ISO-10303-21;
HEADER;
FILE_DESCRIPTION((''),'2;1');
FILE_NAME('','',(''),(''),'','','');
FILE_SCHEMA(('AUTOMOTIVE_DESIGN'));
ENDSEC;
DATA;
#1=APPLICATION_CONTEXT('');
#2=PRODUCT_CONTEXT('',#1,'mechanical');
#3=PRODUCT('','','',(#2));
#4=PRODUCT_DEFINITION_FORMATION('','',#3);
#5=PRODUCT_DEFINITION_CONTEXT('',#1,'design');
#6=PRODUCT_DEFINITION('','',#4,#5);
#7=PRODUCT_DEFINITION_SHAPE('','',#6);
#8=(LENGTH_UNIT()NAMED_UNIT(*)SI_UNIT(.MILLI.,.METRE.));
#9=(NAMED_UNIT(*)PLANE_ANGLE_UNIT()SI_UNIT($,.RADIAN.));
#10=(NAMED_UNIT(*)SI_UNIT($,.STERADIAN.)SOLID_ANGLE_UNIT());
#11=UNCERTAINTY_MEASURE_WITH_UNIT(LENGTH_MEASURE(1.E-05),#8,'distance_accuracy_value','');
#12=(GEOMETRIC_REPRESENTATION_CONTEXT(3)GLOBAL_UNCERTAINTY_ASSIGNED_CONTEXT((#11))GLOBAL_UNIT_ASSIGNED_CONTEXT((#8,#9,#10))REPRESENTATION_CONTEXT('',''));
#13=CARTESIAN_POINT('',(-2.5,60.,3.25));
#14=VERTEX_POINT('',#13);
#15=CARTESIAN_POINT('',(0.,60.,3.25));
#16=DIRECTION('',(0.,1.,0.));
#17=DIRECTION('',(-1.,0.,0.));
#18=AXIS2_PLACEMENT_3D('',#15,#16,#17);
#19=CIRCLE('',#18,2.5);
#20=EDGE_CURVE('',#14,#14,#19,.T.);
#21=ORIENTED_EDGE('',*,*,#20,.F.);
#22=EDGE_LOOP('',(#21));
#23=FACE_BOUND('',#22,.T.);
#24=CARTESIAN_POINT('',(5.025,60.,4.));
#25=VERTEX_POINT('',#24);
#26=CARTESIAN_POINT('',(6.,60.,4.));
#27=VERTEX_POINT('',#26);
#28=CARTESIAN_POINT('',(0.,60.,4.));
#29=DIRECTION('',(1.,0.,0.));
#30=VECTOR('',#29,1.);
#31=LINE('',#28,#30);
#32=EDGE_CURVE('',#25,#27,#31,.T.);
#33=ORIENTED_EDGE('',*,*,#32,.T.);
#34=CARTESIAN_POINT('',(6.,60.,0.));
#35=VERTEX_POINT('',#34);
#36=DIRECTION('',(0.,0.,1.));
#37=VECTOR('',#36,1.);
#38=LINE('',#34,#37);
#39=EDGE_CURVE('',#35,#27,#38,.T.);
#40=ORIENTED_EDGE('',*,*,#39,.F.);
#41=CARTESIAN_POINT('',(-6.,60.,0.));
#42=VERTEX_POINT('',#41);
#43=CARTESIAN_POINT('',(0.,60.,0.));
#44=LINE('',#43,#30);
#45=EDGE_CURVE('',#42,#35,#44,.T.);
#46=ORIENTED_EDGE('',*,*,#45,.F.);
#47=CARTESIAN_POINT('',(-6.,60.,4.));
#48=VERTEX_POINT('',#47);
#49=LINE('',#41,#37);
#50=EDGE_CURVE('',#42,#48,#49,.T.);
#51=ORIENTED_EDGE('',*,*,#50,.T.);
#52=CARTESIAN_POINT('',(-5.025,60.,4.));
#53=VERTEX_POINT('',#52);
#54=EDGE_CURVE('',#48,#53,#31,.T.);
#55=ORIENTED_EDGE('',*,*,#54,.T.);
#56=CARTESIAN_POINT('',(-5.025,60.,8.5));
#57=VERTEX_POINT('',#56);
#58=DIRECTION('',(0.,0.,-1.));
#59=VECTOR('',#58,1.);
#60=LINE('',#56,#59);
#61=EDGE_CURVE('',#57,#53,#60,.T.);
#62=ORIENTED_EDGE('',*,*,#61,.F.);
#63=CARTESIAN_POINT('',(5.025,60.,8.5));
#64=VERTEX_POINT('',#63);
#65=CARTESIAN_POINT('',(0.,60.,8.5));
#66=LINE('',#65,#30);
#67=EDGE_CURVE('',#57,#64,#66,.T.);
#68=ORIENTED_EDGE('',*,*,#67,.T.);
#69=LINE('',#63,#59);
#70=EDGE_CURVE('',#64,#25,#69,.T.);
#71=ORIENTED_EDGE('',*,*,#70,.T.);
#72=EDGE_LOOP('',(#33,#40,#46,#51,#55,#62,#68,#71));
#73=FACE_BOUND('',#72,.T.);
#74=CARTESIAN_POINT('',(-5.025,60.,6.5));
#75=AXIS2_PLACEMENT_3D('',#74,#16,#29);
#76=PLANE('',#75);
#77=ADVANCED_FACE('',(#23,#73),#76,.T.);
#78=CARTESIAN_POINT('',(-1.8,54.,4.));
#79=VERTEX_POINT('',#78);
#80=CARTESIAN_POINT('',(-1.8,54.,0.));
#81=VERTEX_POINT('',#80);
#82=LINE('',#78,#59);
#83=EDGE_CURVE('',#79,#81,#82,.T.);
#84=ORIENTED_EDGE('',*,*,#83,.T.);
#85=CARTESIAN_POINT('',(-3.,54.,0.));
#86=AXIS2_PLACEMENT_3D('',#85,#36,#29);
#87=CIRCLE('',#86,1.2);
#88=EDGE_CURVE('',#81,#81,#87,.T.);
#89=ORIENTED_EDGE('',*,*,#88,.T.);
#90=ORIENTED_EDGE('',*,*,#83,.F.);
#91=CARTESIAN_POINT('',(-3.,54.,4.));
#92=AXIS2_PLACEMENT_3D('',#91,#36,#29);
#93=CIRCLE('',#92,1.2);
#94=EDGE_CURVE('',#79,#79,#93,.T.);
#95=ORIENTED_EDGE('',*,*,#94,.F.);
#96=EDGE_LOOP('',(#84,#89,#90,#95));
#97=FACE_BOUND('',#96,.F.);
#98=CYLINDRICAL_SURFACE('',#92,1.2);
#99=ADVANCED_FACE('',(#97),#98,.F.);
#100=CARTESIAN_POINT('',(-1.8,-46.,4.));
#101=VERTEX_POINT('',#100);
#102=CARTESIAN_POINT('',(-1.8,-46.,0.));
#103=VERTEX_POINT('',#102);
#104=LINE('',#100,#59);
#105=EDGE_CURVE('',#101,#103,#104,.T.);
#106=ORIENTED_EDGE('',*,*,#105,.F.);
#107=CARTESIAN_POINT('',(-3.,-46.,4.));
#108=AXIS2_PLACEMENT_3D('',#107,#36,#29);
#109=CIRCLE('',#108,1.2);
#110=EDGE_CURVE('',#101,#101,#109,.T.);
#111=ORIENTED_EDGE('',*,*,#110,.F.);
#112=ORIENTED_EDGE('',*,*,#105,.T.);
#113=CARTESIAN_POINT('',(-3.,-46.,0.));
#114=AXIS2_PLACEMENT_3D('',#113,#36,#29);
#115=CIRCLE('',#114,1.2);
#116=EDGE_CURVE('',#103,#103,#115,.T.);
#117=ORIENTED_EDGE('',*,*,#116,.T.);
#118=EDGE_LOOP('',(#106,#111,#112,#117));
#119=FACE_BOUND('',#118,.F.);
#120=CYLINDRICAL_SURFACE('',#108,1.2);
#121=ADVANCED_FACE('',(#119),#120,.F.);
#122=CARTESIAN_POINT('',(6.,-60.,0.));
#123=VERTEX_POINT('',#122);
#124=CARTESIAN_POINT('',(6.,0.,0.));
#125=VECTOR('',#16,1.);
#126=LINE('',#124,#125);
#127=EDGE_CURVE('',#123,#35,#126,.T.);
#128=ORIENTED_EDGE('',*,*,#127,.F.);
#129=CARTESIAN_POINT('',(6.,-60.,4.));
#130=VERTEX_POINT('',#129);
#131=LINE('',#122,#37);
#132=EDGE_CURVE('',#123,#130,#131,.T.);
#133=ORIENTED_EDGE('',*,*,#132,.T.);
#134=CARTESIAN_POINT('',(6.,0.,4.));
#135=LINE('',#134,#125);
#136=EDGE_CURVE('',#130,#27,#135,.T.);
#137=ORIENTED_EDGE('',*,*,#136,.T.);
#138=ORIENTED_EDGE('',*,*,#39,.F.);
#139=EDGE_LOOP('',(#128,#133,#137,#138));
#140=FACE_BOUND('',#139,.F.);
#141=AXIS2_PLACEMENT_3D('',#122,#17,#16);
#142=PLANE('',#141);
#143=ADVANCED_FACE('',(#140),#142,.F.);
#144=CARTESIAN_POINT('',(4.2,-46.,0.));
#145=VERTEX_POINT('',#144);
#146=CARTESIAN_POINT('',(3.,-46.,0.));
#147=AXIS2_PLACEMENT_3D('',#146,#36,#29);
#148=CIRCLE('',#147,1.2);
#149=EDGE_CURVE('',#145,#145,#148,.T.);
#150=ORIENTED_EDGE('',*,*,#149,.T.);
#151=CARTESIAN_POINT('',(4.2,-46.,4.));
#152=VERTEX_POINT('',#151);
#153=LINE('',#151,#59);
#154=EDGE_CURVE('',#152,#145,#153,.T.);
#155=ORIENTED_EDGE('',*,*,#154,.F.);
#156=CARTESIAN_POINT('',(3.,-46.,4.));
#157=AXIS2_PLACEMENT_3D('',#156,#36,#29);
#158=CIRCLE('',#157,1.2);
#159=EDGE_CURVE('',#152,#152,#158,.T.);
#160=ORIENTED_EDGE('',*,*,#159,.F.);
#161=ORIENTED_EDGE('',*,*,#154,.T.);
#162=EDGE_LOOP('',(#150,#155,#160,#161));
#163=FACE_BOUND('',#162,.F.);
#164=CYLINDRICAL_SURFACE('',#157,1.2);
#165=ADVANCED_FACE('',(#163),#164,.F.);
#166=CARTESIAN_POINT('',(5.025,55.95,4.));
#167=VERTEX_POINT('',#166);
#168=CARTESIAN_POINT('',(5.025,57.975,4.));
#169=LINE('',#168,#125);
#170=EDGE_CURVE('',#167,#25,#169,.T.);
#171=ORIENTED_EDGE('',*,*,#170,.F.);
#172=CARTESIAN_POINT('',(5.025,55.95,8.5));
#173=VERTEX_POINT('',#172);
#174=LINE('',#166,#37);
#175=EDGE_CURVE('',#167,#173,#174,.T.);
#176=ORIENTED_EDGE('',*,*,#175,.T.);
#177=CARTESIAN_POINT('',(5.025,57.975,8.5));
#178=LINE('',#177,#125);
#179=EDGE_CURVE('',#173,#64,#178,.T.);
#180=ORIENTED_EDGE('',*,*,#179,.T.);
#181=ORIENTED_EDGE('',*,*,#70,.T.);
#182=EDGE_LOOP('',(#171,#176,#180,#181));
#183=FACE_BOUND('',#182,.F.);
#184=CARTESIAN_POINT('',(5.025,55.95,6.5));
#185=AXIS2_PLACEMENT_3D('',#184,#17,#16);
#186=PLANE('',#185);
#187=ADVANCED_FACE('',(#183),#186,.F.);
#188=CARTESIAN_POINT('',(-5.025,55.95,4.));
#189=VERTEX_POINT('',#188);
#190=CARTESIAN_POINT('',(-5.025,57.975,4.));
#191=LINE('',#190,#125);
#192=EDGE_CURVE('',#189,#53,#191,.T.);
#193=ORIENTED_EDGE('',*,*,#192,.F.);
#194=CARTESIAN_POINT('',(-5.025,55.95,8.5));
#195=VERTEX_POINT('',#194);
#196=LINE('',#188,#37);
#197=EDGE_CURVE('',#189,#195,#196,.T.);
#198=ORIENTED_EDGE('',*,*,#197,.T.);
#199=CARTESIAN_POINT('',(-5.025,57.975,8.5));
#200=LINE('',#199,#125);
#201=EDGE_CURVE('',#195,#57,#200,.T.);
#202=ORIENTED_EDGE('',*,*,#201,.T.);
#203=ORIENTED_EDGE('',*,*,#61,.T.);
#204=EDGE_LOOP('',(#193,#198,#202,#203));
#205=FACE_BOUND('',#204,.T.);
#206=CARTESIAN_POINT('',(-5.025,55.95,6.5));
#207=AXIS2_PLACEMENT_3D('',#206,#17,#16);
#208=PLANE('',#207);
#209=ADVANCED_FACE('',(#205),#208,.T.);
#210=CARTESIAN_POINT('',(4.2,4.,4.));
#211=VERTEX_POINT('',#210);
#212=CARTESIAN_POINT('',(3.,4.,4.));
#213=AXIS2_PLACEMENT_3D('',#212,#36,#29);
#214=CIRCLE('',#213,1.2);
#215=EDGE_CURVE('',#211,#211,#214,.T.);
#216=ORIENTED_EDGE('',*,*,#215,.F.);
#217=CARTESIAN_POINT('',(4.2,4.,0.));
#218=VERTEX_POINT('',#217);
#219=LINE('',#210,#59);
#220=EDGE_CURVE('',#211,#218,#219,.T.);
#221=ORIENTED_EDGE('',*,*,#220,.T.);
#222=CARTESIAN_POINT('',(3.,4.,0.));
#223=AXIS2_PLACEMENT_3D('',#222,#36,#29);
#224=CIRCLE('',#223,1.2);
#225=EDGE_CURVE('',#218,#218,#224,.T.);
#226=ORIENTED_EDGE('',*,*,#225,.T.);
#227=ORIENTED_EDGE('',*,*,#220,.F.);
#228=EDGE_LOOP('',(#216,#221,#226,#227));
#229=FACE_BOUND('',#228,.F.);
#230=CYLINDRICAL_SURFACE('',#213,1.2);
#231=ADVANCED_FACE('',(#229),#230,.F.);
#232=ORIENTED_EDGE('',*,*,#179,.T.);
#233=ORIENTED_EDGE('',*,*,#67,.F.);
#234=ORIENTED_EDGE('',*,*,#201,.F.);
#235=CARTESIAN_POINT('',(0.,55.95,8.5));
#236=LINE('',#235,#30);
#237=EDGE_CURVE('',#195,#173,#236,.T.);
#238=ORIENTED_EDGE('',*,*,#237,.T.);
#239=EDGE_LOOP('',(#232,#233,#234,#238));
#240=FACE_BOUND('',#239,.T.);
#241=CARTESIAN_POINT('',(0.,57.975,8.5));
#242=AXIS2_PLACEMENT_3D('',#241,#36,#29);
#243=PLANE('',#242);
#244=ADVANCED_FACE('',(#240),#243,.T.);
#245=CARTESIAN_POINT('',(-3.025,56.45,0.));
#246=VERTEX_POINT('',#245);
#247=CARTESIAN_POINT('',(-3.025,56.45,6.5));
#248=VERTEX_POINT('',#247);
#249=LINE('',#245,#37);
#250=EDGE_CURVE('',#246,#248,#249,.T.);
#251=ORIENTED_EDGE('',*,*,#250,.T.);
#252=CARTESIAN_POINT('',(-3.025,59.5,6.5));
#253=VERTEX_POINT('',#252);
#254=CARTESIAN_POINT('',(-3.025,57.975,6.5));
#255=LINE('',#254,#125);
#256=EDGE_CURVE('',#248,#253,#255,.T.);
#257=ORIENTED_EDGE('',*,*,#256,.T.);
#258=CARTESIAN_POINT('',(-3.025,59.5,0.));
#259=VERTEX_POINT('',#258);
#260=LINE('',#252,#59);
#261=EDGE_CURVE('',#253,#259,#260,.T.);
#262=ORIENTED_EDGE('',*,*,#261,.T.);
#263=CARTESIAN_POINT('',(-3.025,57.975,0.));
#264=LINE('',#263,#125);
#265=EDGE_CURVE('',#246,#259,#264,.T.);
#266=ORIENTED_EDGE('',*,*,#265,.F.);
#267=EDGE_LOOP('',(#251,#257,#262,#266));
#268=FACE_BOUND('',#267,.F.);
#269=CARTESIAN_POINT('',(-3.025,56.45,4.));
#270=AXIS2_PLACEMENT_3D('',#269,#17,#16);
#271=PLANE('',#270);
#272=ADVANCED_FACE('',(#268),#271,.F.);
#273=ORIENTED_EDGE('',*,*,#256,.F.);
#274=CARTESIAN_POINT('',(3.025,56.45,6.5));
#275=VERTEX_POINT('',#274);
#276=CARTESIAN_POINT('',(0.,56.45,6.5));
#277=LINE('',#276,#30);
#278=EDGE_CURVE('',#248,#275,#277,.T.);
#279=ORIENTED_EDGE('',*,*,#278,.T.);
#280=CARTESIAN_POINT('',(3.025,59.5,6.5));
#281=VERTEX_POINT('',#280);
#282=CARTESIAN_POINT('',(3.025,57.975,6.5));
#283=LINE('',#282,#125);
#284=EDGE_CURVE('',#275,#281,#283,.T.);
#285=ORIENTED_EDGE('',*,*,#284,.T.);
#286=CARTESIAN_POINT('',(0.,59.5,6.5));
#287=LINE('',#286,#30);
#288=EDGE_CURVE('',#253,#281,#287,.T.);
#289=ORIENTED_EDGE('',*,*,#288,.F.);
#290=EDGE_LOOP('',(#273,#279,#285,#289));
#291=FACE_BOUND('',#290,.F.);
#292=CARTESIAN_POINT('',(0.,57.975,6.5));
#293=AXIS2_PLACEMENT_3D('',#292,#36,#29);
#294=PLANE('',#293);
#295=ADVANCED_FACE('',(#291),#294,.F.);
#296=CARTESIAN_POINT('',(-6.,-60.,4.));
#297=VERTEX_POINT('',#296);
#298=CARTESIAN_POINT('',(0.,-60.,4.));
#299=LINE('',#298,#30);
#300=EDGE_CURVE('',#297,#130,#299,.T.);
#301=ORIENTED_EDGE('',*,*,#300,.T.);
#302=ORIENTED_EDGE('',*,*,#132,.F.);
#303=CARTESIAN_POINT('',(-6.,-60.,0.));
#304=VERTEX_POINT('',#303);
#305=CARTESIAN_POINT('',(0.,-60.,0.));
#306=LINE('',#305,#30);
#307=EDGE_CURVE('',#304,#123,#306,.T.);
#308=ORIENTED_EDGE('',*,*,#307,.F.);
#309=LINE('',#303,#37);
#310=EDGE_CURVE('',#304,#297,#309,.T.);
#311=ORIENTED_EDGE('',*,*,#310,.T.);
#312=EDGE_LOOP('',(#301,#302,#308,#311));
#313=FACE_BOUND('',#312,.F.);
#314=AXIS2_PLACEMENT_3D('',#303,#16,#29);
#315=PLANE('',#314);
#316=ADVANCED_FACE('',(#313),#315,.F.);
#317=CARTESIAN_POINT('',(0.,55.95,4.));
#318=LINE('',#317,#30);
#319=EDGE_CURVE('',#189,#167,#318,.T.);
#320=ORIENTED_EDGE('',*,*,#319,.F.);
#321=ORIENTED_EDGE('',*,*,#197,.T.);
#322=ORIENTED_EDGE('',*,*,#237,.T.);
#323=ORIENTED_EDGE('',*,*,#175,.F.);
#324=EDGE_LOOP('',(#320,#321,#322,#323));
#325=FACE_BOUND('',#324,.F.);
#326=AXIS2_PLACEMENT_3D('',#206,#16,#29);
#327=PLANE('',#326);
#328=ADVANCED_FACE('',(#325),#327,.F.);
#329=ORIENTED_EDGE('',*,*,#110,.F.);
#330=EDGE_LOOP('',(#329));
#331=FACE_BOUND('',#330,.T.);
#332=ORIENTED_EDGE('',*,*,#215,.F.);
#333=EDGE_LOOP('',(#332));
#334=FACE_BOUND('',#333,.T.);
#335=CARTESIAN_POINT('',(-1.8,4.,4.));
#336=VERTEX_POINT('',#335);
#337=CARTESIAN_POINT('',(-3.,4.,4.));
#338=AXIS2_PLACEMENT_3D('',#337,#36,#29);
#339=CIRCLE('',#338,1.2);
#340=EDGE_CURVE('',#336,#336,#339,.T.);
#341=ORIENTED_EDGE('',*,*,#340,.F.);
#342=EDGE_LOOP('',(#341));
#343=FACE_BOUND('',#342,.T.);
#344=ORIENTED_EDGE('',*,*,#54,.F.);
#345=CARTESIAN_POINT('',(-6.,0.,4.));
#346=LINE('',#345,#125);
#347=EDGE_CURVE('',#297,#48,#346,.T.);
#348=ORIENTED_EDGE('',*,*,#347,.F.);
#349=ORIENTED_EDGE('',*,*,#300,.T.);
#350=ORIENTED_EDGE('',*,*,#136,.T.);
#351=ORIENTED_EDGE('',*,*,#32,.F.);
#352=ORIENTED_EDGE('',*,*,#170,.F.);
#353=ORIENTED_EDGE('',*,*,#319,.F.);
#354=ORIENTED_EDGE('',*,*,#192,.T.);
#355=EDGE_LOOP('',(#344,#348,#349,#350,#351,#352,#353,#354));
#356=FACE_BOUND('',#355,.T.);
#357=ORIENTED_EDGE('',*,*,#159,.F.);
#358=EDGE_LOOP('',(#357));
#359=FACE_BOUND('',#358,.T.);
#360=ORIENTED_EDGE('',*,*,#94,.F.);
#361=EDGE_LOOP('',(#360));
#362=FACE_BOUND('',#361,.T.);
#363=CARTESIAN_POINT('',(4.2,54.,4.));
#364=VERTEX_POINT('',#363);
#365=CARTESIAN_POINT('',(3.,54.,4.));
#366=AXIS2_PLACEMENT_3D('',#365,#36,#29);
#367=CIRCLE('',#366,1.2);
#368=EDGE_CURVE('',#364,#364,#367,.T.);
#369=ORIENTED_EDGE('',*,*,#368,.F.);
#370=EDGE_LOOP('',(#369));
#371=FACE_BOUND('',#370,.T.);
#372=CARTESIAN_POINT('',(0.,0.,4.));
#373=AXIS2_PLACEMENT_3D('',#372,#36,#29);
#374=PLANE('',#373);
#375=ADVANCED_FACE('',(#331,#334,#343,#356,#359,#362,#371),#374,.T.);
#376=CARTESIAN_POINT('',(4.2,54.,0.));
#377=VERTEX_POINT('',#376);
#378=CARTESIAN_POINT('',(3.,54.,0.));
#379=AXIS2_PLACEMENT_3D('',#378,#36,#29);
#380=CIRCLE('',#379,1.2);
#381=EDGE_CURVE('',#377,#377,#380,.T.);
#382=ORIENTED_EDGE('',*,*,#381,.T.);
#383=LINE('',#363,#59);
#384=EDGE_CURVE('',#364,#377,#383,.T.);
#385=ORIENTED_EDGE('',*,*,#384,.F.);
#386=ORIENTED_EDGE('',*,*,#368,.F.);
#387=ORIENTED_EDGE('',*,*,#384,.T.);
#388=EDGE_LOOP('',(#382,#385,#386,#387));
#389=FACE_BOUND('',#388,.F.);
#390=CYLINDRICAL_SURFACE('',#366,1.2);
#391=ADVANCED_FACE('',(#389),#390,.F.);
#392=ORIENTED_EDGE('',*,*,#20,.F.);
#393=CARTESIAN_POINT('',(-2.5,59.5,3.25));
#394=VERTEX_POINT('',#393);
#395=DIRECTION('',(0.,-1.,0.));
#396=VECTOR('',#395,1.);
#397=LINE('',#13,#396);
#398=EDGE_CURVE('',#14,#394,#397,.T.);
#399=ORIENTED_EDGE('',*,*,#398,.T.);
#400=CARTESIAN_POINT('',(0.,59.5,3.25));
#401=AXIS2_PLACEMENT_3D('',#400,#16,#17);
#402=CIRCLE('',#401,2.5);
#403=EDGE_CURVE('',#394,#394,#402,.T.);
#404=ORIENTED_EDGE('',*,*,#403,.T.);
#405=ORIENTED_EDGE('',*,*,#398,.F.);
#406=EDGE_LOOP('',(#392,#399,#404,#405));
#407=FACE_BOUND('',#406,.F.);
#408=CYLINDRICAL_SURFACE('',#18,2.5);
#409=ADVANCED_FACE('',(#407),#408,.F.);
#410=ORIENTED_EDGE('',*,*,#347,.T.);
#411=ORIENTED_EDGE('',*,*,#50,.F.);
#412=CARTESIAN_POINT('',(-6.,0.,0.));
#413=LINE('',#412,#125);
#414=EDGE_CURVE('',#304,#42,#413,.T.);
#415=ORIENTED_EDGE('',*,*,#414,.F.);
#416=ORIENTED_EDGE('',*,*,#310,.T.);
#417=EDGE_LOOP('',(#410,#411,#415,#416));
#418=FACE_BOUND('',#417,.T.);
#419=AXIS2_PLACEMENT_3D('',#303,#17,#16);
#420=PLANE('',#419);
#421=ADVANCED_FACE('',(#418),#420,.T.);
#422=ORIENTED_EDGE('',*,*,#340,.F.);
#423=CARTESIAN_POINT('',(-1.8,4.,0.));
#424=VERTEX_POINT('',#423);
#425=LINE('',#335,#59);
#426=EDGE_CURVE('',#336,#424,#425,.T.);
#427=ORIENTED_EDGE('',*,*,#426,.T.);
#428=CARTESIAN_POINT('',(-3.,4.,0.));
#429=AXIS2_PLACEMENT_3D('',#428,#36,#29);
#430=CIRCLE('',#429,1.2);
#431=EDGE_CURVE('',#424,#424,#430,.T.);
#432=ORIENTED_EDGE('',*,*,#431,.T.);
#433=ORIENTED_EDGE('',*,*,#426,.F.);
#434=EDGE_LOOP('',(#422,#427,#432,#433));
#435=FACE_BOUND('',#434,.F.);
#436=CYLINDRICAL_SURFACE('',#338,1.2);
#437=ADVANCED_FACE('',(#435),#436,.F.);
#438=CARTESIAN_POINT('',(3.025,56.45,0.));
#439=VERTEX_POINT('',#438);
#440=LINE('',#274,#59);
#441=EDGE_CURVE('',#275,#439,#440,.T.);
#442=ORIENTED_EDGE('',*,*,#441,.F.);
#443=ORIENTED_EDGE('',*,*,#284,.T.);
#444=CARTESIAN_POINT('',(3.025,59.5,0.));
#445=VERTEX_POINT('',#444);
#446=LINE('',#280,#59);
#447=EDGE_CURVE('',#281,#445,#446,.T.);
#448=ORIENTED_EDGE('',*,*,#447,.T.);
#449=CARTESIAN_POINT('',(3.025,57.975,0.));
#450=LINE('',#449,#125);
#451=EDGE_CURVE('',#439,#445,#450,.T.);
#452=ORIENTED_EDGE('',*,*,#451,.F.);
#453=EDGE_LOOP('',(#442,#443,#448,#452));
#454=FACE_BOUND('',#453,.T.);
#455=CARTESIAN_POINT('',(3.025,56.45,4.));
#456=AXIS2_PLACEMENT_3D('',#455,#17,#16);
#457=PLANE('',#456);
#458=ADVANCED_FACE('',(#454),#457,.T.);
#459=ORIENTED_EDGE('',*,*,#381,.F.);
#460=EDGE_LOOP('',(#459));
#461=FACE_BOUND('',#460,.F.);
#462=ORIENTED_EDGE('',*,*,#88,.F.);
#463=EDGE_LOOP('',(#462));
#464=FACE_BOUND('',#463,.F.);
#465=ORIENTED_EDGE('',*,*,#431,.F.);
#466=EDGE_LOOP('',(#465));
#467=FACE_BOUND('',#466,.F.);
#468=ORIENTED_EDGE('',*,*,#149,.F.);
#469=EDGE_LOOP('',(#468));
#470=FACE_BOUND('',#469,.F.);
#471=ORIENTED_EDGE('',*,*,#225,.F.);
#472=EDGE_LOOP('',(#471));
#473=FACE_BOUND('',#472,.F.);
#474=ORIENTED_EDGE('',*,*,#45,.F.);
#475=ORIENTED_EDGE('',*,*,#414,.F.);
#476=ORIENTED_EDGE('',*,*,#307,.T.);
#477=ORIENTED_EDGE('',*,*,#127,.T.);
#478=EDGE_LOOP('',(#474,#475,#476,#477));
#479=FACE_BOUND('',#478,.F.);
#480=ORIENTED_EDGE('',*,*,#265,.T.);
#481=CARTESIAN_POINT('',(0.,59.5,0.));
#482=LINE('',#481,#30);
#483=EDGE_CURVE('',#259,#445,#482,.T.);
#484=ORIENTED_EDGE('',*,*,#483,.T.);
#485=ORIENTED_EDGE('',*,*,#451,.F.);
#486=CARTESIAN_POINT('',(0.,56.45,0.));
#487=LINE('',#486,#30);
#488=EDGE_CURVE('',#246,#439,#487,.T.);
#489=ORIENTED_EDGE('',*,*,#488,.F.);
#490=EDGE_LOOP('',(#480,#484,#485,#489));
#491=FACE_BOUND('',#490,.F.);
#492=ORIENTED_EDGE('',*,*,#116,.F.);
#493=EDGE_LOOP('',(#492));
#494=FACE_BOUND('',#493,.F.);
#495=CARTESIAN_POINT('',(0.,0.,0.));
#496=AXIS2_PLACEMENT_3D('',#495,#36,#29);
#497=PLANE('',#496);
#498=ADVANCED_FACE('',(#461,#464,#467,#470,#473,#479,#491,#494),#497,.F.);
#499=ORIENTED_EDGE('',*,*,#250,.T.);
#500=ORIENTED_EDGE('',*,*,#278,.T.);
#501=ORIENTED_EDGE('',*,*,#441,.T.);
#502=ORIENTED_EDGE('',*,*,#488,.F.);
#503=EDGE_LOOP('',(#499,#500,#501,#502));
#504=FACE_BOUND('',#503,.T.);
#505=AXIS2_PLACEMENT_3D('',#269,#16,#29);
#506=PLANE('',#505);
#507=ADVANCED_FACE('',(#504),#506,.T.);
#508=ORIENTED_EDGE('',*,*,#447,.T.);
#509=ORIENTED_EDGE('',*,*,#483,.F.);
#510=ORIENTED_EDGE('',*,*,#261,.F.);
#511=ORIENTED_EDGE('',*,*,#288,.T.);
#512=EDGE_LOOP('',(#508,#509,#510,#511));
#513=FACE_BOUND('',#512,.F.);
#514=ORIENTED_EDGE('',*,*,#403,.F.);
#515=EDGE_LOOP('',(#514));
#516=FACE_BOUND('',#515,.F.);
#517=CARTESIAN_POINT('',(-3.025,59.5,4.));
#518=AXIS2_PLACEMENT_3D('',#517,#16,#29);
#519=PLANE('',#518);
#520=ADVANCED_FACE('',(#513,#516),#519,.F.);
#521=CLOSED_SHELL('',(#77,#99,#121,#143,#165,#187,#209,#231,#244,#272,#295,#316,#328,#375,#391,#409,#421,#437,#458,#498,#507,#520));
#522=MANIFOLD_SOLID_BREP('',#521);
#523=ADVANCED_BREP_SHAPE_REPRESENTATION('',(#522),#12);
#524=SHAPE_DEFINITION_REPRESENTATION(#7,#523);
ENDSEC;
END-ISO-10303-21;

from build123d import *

# Parameters (mm, degrees)
SKETCH_W      = 12
SKETCH_H      = 120
SKETCH_W_2    = 6.05
SKETCH_H_2    = 3.05
PAD_DEPTH     = 4
SKETCH001_R   = 1.2
HOLE_DEPTH    = 25
SKETCH002_W   = 10.05
SKETCH002_H   = 4.05
SKETCH002_W_2 = 6.05
SKETCH002_H_2 = 3.05
PAD001_DEPTH  = 2.5
SKETCH003_W   = 10.05
SKETCH003_H   = 4.05
PAD002_DEPTH  = 2
SKETCH004_R   = 2.5
POCKET_DEPTH  = 0.5


with BuildPart() as part:
    # Sketch → Pad (new body)
    with BuildSketch(Plane.XY):
        Rectangle(SKETCH_W, SKETCH_H)
        with Locations((0, 57.975)):
            Rectangle(SKETCH_W_2, SKETCH_H_2, mode=Mode.SUBTRACT)
    extrude(amount=PAD_DEPTH)

    # Sketch001 (on Face10 of Pad) → Hole (cut)
    with BuildSketch(Plane.XY.offset(4)):
        with Locations((3, 54)):
            Circle(SKETCH001_R)
        with Locations((3, 4)):
            Circle(SKETCH001_R)
        with Locations((3, -46)):
            Circle(SKETCH001_R)
        with Locations((-3, 54)):
            Circle(SKETCH001_R)
        with Locations((-3, 4)):
            Circle(SKETCH001_R)
        with Locations((-3, -46)):
            Circle(SKETCH001_R)
    extrude(amount=-HOLE_DEPTH, mode=Mode.SUBTRACT)

    # Sketch002 (on Face5 of Hole) → Pad001 (join)
    with BuildSketch(Plane.XY.offset(4)):
        with Locations((0, 57.975)):
            Rectangle(SKETCH002_W, SKETCH002_H)
        with Locations((0, 57.975)):
            Rectangle(SKETCH002_W_2, SKETCH002_H_2, mode=Mode.SUBTRACT)
    extrude(amount=PAD001_DEPTH)

    # Sketch003 (on Face15 of Pad001) → Pad002 (join)
    with BuildSketch(Plane.XY.offset(6.5)):
        with Locations((0, 57.975)):
            Rectangle(SKETCH003_W, SKETCH003_H)
    extrude(amount=PAD002_DEPTH)

    # Sketch004 (on Face17 of Pad002) → Pocket (cut)
    with BuildSketch(Plane(origin=(0, 60, 0), x_dir=(-1, 0, 0), z_dir=(0, 1, 0))):
        with Locations((0, 3.25)):
            Circle(SKETCH004_R)
    extrude(amount=-POCKET_DEPTH, mode=Mode.SUBTRACT)


solid = part.part
